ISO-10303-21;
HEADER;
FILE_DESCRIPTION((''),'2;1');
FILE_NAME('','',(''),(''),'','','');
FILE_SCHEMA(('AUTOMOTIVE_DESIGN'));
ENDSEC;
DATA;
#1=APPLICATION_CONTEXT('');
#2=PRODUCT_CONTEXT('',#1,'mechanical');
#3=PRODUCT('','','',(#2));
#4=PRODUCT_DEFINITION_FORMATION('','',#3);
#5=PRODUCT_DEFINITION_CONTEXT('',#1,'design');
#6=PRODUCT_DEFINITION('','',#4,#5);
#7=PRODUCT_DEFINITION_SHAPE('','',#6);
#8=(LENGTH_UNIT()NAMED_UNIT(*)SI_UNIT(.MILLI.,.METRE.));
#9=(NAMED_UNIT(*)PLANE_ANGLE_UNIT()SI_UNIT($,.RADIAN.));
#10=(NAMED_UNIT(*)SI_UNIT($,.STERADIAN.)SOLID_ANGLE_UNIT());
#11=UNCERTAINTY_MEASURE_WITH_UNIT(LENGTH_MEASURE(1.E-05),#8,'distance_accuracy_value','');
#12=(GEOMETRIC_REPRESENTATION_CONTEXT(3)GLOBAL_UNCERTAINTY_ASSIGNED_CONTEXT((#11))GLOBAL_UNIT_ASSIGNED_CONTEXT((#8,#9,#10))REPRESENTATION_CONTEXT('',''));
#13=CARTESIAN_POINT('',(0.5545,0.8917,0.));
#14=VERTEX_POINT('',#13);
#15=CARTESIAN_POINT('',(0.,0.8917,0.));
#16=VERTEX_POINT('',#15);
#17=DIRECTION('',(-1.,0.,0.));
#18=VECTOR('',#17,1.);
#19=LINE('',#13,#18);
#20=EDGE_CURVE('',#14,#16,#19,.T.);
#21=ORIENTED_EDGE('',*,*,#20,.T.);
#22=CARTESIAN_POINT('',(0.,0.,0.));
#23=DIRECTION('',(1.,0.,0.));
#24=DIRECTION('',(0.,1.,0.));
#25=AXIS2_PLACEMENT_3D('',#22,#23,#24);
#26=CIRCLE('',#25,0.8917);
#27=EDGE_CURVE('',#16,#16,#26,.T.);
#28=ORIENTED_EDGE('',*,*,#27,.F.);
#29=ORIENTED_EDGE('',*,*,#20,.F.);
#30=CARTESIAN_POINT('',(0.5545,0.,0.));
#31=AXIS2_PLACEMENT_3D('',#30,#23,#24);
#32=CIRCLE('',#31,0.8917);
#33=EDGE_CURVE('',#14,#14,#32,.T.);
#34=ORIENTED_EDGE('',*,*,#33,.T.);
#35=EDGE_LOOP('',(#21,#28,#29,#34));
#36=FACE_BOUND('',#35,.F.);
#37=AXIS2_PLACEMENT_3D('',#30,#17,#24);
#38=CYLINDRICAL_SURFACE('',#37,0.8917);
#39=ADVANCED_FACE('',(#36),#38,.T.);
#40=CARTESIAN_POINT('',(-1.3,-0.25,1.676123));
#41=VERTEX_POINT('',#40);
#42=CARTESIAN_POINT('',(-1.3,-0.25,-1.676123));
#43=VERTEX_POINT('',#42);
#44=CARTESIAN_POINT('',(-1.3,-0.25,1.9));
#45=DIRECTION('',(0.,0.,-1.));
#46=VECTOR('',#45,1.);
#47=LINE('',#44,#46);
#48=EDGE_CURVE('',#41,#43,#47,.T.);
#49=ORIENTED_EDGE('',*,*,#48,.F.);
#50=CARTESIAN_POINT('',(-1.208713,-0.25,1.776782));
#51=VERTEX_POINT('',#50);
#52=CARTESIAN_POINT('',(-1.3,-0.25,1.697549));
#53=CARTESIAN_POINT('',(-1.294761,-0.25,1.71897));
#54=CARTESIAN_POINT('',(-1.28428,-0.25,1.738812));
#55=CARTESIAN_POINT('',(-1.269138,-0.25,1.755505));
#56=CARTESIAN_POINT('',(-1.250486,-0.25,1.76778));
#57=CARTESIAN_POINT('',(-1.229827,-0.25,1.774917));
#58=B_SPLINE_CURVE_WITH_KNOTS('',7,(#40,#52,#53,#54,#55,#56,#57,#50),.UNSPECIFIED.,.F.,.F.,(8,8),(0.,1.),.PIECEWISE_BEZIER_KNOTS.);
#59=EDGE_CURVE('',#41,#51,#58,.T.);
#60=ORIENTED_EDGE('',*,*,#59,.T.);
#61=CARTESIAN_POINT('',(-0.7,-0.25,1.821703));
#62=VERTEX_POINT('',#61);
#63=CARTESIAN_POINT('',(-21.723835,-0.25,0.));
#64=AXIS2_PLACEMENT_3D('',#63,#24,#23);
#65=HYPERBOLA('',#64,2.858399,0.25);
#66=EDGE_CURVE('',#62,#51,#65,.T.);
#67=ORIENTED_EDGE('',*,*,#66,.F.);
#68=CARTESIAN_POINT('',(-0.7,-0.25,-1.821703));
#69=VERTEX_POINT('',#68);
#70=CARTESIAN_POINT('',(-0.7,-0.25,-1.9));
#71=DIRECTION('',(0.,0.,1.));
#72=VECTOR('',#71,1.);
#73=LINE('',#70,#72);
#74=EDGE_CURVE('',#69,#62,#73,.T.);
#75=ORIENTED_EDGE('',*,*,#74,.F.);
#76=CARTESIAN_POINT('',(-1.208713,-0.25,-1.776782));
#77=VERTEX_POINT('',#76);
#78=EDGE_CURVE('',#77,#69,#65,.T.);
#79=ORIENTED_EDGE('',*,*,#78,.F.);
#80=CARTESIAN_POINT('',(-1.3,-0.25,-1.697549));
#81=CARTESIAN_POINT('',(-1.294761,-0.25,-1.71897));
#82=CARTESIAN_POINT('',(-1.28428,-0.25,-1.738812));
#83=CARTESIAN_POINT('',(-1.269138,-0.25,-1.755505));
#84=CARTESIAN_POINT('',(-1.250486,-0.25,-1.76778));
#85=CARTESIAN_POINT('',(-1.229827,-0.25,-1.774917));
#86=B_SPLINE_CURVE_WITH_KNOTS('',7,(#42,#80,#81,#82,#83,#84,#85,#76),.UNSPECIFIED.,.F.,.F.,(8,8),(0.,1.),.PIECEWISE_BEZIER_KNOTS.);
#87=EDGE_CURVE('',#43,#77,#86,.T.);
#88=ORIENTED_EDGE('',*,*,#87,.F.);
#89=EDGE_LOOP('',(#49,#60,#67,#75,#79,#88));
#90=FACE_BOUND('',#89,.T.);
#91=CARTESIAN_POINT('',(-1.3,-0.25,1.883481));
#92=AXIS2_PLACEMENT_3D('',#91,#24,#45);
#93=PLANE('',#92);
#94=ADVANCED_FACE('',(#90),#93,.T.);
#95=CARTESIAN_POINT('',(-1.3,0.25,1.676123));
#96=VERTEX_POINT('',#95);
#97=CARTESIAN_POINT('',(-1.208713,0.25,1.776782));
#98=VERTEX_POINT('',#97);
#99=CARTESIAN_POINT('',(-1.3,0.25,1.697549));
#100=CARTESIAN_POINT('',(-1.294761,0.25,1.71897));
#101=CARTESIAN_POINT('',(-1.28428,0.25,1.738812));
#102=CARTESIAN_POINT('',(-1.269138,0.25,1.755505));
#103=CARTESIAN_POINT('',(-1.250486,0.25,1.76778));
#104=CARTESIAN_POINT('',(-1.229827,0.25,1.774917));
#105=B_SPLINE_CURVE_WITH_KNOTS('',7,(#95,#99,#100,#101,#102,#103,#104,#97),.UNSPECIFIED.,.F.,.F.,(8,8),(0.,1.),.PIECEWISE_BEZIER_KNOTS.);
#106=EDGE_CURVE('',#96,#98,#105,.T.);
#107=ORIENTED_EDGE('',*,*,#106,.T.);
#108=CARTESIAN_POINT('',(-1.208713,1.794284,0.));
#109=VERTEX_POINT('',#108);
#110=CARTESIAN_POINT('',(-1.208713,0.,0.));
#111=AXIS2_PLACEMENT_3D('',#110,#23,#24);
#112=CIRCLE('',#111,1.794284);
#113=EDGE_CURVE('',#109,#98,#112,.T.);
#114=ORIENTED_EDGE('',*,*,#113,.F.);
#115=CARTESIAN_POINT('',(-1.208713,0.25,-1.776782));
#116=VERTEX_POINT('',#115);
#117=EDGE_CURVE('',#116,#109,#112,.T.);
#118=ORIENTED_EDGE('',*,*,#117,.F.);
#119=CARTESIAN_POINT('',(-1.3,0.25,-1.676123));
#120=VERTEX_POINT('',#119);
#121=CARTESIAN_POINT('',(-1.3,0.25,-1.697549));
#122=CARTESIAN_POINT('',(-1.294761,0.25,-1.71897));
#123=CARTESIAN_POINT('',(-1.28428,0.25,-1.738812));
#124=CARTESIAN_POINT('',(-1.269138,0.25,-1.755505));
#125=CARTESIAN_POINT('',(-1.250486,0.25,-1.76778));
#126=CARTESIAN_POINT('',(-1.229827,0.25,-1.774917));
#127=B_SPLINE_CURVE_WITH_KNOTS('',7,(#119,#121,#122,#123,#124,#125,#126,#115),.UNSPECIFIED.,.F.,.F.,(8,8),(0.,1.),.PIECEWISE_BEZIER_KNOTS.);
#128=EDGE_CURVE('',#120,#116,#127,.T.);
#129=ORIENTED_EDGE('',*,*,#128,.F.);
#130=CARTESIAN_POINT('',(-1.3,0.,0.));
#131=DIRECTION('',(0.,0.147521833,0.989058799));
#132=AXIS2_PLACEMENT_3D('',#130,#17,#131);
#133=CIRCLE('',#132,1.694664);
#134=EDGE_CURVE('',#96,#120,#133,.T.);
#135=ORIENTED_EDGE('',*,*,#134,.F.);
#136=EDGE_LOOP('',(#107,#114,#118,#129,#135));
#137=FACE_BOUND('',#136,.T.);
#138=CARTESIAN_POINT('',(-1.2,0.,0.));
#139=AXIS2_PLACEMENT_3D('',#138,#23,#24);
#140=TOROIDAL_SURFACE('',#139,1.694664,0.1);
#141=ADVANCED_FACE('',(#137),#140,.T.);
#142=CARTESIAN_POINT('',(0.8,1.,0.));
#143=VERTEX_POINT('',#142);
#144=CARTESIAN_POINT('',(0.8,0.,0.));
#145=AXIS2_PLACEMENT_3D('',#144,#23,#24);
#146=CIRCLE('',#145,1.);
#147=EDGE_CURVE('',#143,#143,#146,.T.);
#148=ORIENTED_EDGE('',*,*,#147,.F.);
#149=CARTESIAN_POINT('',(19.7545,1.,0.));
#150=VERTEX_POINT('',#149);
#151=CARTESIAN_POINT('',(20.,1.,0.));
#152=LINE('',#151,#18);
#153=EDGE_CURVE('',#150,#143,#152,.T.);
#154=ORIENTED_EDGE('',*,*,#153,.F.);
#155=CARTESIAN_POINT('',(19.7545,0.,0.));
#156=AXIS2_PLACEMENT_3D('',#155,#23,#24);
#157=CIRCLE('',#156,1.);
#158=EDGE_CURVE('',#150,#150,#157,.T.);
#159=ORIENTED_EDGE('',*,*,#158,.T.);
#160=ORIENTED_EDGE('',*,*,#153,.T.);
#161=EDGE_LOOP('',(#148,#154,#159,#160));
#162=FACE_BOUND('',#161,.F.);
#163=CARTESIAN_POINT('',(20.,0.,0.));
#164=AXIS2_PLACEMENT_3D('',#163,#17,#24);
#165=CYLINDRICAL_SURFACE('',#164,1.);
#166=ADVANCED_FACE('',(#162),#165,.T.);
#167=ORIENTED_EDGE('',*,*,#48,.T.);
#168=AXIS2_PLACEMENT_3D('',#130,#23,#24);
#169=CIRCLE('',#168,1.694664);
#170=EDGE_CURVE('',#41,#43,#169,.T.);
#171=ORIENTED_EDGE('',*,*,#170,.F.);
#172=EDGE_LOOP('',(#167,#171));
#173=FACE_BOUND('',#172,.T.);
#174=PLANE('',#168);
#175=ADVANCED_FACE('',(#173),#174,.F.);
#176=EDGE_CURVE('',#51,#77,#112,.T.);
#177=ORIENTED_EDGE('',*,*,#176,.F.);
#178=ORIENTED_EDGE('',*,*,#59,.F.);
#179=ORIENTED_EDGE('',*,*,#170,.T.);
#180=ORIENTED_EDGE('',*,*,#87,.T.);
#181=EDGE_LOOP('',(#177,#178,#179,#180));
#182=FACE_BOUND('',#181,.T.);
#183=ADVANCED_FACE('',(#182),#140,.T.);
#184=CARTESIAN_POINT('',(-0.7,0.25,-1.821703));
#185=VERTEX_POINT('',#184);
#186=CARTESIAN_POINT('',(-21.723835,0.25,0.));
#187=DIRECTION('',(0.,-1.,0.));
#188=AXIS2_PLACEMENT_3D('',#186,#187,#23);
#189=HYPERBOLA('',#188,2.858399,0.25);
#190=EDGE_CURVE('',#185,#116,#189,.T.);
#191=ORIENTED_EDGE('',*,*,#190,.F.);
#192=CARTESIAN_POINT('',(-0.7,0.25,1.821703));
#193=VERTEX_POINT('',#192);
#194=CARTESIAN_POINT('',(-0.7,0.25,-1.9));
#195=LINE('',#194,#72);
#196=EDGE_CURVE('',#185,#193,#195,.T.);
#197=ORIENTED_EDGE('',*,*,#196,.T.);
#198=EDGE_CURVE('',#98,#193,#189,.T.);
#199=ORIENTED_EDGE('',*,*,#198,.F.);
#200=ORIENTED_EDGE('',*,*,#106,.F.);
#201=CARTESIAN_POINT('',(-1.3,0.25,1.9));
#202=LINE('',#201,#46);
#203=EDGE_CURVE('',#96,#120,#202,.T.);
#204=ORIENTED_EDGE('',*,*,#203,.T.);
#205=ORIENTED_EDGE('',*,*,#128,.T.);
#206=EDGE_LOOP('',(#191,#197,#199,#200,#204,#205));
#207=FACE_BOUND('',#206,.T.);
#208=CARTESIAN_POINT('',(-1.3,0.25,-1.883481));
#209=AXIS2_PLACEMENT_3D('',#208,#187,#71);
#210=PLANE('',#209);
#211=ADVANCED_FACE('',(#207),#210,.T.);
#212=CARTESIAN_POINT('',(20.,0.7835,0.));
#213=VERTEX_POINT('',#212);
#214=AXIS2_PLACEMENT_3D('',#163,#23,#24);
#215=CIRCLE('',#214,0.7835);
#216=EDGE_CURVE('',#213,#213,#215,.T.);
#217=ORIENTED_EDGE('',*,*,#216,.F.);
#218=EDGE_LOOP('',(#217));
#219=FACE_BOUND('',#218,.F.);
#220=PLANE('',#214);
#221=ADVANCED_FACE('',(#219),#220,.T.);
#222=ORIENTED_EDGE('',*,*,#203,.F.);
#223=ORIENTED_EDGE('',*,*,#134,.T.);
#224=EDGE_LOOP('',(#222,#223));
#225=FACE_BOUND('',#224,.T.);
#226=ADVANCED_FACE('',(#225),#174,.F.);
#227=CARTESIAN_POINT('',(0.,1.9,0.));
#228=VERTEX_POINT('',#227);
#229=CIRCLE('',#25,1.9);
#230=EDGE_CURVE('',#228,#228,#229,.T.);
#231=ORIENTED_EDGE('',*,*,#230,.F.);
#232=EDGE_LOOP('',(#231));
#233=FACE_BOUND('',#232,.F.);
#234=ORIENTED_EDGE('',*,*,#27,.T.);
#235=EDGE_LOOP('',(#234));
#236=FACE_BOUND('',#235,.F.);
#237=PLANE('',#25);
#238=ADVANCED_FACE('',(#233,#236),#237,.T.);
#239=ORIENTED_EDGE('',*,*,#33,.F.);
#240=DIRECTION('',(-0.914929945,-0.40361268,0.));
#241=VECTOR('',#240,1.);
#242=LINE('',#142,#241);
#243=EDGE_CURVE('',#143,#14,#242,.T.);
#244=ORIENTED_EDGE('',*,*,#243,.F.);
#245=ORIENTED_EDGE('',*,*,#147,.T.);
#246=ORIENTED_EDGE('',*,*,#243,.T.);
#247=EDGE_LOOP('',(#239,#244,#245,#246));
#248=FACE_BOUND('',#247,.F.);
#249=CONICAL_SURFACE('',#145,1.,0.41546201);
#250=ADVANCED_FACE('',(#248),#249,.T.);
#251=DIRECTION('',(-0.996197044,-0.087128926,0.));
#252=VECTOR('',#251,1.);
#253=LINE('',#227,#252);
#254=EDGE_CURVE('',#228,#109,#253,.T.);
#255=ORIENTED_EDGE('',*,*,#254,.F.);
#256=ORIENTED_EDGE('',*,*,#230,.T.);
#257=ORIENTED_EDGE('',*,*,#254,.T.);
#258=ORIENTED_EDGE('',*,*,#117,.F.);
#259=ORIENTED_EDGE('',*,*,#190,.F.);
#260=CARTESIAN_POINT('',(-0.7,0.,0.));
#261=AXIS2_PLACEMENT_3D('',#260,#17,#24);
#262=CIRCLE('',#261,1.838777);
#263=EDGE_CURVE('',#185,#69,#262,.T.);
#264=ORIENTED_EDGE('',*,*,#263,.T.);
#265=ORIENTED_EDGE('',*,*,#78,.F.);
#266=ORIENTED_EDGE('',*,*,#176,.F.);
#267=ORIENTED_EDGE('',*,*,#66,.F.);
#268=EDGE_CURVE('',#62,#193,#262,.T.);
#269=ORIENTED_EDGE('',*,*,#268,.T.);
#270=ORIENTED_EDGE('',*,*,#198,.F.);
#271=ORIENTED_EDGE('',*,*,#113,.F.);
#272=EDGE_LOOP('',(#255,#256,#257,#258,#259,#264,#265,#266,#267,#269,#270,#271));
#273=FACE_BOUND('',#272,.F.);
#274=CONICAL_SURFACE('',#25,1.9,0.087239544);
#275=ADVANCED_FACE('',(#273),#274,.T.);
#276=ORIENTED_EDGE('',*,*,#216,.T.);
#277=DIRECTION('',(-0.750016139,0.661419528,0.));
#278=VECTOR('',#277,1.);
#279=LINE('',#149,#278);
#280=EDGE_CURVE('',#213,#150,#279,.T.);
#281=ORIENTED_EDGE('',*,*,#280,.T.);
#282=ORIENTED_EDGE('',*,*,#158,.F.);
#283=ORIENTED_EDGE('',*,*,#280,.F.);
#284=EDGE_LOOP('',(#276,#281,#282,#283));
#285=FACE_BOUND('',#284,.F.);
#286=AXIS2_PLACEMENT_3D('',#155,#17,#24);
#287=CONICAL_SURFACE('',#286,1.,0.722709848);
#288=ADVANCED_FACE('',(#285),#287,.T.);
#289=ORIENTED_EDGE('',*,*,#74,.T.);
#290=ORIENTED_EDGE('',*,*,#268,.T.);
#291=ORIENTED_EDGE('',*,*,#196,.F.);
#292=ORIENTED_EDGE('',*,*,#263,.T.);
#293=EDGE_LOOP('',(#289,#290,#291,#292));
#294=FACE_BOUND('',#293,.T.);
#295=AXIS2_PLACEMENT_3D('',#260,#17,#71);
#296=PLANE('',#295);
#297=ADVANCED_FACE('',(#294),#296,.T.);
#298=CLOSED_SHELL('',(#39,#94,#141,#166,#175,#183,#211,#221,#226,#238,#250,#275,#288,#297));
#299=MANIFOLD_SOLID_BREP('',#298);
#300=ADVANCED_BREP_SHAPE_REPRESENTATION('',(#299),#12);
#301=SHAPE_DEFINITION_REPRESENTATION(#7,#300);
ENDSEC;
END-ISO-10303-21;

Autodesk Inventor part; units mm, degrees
ref_plane "YZ Plane" through (0, 0, 0) normal (1, 0, 0) x (0, 1, 0)
ref_plane "XZ Plane" through (0, 0, 0) normal (0, 1, 0) x (-1, 0, 0)
sketch "Skizze1" plane through (0, 0, 0) normal (0, 0, 1) x (1, 0, 0)
  line L0 (-1.3, 0) -> (20, 0)
  line L1 (20, 0) -> (20, 1)
  line L2 (20, 1) -> (0.8, 1)
  line L3 (0.8, 1) -> (0.5545, 0.8917)
  line L4 (0.5545, 0.8917) -> (0, 0.8917)
  line L5 (0, 0.8917) -> (0, 1.9)
  line L6 (-5.56, 0) -> (24.26, 0) projected
  line L7 (0, -0.38) -> (0, 2.28) projected
  line L8 (-1.3, 0) -> (-1.3, 1.7863)
  line L9 (0, 1.9) -> (-1.3, 1.7863)
  line L10 (0.8, 1) -> (0, 1) construction
  dimension "d0" = 20
  dimension "d1" = 19.2
  dimension "d2" = 0.2455
  dimension "d3" = 1.3
  dimension "d4" = 2
  dimension "d5" = 1.7835
  dimension "d9" = 3.8
  dimension "d10" = 5
revolve "Körper" add sketch "Skizze1" angle 360 about axis through (-1.3, 0, 0) along (1, 0, 0)
sketch "Skizze2" plane through (-1.3, 0, 0) normal (-1, 0, 0) x (0, 0, 1)
  circle A0 centre (0, 0) radius 1.9 projected
  line L0 (0, 0) -> (0, 1.7863) projected
  line L1 (-1.9, 0.25) -> (1.9, 0.25)
  line L2 (1.9, 0.25) -> (1.9, -0.25)
  line L3 (1.9, -0.25) -> (-1.9, -0.25)
  line L4 (-1.9, -0.25) -> (-1.9, 0.25)
  line L5 (-1.9, 0) -> (1.9, 0) construction
  line L6 (0, 0.25) -> (0, -0.25) construction
  dimension "d11" = 0.5
  dimension "d12" = 3.8
fillet "Rundung1" radius 0.1 1 edges at (-1.3, -1.7863, 0)
extrude "Loch" cut sketch "Skizze2" against normal blind 0.6 contours A0 L3 L1 | L2 L3 A0 | A0 L1 L2 | A0 L4 L1 | L3 L4 A0
thread "Gewinde" size "M2x0.4" class "6g" standard "ISO Metric profile" length 19.2
chamfer "Fase1" distance 0.2165 distance2 0.2455 1 edges at (20, -1, 0) measured on face at (20, 0.4265, -0.3778)
ref_plane "Work Plane1" through (30.1625, 0, 0) normal (0, 0, -1) x (1, 0, 0)
equation "\"d11\" = SBR"
equation "\"d12\" = KOD"
equation "\"d14\" = RR"
equation "\"d19\" = STI"
equation "\"d15\" = GEL"
equation "\"d17\" = -0.5 * SPD + 0.5 * GD"
equation "\"d0\" = NLG"
equation "\"d1\" = GEL"
equation "\"d3\" = KOH"
equation "\"d4\" = GD"
equation "\"d5\" = BDM"
equation "\"d9\" = KOD"
equation "\"d10\" = KEWI"
equation "\"GD\" = 2"
equation "\"NLG\" = 20"
equation "\"GEL\" = 19.2"
equation "\"KOD\" = 3.8"
equation "\"KOH\" = 1.3"
equation "\"GAL\" = 0.61345 * PTC"
equation "\"SPD\" = 1.56699"
equation "\"BDM\" = 1.78349"
equation "\"GUL\" = 0.61345 * PTC"
equation "\"RR\" = 0.1"
equation "\"SBR\" = 0.5"
equation "\"STI\" = 0.6"
equation "\"KEWI\" = 5deg"
equation "\"PTC\" = 0.4"
equation "\"THREADDIA\" = 2"
equation "\"TOA\" = 30deg"
equation "\"NND\" = 2"
equation "\"GD1\" = THREADDIA - 1.2269 * PTC"
properties part number "DIN 84 - M2 x 20" material "Stahl, weich"
